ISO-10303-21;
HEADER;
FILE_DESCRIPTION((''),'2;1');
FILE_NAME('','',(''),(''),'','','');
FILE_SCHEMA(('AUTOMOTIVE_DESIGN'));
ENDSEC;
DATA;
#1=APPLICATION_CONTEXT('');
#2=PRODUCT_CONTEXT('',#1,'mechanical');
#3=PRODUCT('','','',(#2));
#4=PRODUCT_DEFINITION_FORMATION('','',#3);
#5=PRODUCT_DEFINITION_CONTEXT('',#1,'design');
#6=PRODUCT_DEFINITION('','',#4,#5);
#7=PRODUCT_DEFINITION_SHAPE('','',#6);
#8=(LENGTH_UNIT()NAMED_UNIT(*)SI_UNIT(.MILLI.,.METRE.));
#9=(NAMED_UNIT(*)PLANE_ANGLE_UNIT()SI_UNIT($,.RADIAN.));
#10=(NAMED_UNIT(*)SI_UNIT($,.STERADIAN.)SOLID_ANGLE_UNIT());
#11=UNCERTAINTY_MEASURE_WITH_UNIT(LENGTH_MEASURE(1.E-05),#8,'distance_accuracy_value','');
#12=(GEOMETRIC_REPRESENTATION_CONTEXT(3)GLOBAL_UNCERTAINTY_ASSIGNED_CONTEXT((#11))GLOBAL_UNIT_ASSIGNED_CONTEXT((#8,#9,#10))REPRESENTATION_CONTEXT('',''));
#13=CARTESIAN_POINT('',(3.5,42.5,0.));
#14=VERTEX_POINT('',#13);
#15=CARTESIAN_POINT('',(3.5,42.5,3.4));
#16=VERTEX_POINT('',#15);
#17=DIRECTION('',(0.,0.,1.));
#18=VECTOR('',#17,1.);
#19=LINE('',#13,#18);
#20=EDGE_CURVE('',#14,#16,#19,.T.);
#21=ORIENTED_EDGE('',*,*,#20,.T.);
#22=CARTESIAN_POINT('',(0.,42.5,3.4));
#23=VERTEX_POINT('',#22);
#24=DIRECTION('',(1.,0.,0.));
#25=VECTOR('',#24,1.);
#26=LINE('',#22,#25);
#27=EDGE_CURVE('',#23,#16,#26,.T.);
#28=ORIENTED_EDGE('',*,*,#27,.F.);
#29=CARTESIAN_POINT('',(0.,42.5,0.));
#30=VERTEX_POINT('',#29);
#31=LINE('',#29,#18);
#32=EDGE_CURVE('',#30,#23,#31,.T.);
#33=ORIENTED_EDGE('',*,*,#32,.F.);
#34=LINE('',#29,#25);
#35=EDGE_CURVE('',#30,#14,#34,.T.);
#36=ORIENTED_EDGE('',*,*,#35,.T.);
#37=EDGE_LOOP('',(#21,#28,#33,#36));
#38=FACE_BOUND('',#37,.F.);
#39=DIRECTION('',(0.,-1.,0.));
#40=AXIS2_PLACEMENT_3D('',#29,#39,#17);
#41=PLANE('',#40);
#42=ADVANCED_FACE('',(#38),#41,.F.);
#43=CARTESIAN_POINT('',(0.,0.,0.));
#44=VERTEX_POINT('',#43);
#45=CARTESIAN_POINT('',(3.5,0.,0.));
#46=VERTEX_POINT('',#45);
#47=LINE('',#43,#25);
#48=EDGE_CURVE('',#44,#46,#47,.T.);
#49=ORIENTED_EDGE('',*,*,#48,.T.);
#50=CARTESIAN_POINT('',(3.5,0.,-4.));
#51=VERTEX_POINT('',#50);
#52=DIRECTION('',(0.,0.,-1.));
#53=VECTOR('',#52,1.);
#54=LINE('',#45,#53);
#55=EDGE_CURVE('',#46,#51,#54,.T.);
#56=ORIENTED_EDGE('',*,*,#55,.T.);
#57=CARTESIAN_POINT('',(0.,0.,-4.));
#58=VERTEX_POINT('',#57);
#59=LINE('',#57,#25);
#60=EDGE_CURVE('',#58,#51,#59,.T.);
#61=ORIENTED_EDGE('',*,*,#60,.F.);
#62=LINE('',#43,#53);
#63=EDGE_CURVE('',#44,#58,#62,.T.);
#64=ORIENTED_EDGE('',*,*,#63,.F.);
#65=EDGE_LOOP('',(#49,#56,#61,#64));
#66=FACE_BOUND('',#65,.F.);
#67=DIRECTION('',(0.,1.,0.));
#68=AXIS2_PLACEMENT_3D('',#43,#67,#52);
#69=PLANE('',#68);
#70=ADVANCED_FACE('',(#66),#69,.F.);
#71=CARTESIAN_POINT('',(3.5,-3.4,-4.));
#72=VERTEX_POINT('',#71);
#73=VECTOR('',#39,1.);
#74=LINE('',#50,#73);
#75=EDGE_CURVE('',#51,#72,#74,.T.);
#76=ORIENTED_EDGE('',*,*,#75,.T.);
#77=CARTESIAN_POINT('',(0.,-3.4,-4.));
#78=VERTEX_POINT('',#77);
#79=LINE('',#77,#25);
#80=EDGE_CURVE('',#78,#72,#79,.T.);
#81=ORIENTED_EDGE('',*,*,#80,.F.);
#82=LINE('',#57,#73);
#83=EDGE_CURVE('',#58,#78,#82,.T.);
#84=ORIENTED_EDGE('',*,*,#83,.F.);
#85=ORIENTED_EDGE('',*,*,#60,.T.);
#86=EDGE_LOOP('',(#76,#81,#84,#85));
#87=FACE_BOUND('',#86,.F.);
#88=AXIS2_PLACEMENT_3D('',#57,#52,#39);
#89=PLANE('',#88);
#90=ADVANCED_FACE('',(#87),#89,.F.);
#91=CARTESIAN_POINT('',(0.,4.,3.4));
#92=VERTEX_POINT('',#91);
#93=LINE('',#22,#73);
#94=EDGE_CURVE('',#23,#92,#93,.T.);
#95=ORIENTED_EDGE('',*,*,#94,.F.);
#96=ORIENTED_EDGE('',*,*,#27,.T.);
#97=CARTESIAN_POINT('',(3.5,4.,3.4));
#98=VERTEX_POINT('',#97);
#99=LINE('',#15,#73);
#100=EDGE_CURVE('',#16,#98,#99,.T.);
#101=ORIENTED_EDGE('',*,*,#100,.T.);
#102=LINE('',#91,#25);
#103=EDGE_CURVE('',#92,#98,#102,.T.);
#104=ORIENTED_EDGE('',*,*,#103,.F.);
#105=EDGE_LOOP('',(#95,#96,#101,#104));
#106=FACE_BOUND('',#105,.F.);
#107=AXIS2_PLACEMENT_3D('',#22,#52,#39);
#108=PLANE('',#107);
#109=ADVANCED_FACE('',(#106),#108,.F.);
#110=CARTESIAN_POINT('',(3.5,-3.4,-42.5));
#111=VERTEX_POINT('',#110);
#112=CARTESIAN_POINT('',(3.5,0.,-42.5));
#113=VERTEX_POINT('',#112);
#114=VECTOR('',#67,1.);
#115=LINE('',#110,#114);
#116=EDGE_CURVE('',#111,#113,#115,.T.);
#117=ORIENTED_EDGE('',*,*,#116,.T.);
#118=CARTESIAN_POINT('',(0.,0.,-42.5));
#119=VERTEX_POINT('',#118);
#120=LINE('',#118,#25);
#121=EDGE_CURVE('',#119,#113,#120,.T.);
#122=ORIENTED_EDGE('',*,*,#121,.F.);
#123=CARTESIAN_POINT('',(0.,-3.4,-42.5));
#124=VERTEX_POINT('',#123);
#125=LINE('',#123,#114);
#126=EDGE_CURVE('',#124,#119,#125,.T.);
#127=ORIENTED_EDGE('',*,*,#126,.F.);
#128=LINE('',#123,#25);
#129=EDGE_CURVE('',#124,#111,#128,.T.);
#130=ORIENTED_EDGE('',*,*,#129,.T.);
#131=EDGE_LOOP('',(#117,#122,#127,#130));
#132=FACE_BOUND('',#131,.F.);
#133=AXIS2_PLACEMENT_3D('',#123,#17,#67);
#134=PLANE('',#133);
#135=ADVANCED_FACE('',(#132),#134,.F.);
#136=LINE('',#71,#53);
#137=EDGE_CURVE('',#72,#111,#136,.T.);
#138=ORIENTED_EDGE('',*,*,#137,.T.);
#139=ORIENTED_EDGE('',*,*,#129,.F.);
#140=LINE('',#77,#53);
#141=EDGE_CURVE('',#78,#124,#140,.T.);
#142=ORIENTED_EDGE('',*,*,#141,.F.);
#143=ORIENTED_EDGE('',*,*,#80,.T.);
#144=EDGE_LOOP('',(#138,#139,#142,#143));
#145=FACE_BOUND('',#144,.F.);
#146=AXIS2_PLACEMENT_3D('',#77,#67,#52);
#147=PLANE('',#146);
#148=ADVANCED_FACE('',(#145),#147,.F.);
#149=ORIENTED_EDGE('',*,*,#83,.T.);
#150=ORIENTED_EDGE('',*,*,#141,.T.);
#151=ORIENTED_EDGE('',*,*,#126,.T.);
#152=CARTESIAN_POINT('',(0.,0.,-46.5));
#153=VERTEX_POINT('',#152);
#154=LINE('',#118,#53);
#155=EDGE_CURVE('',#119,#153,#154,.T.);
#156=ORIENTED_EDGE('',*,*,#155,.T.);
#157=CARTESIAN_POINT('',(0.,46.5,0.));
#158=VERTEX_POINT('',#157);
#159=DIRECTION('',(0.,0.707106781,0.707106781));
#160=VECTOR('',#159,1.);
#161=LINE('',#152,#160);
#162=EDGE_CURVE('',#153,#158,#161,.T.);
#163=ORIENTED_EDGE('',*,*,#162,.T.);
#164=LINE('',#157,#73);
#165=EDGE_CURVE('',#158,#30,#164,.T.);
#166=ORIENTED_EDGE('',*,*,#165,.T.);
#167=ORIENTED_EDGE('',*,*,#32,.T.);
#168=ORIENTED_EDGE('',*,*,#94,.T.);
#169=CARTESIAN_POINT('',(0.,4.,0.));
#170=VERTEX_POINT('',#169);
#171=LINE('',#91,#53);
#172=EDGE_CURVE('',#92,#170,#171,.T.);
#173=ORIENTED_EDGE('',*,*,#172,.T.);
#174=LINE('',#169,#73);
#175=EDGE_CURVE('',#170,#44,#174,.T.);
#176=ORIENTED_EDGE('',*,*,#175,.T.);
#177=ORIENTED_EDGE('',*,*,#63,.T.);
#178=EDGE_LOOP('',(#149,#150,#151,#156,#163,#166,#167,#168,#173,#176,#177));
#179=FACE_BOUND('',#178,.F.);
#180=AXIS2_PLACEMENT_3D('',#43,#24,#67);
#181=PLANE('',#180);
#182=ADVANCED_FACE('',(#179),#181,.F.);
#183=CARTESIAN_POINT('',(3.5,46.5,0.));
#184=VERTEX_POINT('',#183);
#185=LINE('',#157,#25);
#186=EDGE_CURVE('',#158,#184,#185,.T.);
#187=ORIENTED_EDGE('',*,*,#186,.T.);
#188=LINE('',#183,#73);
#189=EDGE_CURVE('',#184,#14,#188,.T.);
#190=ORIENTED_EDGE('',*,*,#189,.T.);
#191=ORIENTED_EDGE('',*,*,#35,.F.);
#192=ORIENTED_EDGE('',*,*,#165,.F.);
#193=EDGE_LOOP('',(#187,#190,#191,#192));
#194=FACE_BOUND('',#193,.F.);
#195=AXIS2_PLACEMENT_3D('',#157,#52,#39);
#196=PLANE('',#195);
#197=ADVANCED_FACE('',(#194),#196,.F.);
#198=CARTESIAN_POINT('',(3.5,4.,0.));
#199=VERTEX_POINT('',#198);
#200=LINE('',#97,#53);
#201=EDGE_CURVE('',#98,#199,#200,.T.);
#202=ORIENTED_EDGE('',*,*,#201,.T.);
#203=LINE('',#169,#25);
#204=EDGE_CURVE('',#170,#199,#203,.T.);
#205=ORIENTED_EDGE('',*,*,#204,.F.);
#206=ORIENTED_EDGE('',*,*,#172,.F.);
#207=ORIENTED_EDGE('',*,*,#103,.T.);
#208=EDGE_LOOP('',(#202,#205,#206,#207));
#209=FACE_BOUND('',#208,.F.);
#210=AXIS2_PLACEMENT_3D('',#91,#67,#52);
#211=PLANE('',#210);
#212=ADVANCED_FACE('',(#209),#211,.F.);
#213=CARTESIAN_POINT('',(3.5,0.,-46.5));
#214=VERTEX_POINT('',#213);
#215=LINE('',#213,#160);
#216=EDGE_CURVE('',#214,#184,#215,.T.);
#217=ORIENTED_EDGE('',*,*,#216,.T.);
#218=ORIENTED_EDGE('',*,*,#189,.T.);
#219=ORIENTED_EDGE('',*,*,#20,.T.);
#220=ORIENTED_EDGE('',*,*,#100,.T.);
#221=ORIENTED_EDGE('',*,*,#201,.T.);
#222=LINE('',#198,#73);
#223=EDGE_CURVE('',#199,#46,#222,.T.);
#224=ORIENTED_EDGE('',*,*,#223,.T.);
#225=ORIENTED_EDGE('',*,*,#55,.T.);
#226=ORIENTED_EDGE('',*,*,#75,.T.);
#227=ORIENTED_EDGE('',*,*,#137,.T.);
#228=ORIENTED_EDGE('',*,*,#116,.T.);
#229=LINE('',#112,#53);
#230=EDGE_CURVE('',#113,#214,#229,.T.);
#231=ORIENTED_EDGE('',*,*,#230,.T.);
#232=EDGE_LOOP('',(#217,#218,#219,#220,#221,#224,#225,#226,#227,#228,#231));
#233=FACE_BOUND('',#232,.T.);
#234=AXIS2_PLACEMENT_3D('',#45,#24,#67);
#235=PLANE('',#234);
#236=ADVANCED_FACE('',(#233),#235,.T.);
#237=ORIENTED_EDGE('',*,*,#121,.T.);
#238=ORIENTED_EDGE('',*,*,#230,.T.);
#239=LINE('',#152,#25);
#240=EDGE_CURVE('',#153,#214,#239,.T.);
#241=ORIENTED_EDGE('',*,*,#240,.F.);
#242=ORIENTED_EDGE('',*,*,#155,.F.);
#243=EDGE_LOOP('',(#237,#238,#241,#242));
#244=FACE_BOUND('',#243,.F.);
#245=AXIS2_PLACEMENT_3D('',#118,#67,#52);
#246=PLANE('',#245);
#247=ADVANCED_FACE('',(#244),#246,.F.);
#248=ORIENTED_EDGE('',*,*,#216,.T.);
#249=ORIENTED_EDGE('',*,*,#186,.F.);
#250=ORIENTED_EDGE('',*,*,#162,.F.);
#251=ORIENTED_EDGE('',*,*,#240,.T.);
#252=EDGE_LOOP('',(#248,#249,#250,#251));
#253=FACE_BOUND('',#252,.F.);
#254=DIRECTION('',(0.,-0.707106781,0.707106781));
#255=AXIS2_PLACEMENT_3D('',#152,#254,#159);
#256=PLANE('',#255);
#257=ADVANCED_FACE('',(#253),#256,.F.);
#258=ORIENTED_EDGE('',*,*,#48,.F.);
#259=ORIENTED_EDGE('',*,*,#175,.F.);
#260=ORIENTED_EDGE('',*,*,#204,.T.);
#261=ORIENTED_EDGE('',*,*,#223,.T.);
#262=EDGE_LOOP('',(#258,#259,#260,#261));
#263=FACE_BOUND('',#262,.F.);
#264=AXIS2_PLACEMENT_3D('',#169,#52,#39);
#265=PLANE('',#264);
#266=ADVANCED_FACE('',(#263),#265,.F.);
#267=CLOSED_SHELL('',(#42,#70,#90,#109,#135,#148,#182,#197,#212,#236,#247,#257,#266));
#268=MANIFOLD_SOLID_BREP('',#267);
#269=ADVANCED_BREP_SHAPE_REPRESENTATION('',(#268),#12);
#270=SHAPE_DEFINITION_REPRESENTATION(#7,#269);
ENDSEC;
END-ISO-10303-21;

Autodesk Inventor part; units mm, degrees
ref_plane "YZ Plane" through (0, 0, 0) normal (1, 0, 0) x (0, 1, 0)
ref_plane "XZ Plane" through (0, 0, 0) normal (0, 1, 0) x (-1, 0, 0)
ref_plane "XY Plane" through (0, 0, 0) normal (0, 0, 1) x (1, 0, 0)
sketch "스케치1" plane through (0, 0, 0) normal (1, 0, 0) x (0, 1, 0)
  line L0 (0, -46.5) -> (46.5, 0)
  line L1 (0, -4) -> (-3.4, -4)
  line L2 (-3.4, -4) -> (-3.4, -42.5)
  line L3 (-3.4, -42.5) -> (0, -42.5)
  line L4 (0, 0) -> (0, -4)
  line L5 (0, -42.5) -> (0, -46.5)
  line L6 (42.5, 0) -> (42.5, 3.4)
  line L7 (42.5, 3.4) -> (4, 3.4)
  line L8 (4, 3.4) -> (4, 0)
  line L9 (46.5, 0) -> (42.5, 0)
  line L10 (4, 0) -> (0, 0)
  point P0 (4, 1.7)
  point P1 (0, -44.5)
  dimension "d1" = 46.5
  dimension "d2" = 38.5
  dimension "d4" = 38.5
  dimension "d5" = 3.4
  dimension "d6" = 4
  dimension "d7" = 3.4
  dimension "d8" = 46.5
extrude "돌출1" add sketch "스케치1" along normal blind 3.5
properties part number "supporter"
